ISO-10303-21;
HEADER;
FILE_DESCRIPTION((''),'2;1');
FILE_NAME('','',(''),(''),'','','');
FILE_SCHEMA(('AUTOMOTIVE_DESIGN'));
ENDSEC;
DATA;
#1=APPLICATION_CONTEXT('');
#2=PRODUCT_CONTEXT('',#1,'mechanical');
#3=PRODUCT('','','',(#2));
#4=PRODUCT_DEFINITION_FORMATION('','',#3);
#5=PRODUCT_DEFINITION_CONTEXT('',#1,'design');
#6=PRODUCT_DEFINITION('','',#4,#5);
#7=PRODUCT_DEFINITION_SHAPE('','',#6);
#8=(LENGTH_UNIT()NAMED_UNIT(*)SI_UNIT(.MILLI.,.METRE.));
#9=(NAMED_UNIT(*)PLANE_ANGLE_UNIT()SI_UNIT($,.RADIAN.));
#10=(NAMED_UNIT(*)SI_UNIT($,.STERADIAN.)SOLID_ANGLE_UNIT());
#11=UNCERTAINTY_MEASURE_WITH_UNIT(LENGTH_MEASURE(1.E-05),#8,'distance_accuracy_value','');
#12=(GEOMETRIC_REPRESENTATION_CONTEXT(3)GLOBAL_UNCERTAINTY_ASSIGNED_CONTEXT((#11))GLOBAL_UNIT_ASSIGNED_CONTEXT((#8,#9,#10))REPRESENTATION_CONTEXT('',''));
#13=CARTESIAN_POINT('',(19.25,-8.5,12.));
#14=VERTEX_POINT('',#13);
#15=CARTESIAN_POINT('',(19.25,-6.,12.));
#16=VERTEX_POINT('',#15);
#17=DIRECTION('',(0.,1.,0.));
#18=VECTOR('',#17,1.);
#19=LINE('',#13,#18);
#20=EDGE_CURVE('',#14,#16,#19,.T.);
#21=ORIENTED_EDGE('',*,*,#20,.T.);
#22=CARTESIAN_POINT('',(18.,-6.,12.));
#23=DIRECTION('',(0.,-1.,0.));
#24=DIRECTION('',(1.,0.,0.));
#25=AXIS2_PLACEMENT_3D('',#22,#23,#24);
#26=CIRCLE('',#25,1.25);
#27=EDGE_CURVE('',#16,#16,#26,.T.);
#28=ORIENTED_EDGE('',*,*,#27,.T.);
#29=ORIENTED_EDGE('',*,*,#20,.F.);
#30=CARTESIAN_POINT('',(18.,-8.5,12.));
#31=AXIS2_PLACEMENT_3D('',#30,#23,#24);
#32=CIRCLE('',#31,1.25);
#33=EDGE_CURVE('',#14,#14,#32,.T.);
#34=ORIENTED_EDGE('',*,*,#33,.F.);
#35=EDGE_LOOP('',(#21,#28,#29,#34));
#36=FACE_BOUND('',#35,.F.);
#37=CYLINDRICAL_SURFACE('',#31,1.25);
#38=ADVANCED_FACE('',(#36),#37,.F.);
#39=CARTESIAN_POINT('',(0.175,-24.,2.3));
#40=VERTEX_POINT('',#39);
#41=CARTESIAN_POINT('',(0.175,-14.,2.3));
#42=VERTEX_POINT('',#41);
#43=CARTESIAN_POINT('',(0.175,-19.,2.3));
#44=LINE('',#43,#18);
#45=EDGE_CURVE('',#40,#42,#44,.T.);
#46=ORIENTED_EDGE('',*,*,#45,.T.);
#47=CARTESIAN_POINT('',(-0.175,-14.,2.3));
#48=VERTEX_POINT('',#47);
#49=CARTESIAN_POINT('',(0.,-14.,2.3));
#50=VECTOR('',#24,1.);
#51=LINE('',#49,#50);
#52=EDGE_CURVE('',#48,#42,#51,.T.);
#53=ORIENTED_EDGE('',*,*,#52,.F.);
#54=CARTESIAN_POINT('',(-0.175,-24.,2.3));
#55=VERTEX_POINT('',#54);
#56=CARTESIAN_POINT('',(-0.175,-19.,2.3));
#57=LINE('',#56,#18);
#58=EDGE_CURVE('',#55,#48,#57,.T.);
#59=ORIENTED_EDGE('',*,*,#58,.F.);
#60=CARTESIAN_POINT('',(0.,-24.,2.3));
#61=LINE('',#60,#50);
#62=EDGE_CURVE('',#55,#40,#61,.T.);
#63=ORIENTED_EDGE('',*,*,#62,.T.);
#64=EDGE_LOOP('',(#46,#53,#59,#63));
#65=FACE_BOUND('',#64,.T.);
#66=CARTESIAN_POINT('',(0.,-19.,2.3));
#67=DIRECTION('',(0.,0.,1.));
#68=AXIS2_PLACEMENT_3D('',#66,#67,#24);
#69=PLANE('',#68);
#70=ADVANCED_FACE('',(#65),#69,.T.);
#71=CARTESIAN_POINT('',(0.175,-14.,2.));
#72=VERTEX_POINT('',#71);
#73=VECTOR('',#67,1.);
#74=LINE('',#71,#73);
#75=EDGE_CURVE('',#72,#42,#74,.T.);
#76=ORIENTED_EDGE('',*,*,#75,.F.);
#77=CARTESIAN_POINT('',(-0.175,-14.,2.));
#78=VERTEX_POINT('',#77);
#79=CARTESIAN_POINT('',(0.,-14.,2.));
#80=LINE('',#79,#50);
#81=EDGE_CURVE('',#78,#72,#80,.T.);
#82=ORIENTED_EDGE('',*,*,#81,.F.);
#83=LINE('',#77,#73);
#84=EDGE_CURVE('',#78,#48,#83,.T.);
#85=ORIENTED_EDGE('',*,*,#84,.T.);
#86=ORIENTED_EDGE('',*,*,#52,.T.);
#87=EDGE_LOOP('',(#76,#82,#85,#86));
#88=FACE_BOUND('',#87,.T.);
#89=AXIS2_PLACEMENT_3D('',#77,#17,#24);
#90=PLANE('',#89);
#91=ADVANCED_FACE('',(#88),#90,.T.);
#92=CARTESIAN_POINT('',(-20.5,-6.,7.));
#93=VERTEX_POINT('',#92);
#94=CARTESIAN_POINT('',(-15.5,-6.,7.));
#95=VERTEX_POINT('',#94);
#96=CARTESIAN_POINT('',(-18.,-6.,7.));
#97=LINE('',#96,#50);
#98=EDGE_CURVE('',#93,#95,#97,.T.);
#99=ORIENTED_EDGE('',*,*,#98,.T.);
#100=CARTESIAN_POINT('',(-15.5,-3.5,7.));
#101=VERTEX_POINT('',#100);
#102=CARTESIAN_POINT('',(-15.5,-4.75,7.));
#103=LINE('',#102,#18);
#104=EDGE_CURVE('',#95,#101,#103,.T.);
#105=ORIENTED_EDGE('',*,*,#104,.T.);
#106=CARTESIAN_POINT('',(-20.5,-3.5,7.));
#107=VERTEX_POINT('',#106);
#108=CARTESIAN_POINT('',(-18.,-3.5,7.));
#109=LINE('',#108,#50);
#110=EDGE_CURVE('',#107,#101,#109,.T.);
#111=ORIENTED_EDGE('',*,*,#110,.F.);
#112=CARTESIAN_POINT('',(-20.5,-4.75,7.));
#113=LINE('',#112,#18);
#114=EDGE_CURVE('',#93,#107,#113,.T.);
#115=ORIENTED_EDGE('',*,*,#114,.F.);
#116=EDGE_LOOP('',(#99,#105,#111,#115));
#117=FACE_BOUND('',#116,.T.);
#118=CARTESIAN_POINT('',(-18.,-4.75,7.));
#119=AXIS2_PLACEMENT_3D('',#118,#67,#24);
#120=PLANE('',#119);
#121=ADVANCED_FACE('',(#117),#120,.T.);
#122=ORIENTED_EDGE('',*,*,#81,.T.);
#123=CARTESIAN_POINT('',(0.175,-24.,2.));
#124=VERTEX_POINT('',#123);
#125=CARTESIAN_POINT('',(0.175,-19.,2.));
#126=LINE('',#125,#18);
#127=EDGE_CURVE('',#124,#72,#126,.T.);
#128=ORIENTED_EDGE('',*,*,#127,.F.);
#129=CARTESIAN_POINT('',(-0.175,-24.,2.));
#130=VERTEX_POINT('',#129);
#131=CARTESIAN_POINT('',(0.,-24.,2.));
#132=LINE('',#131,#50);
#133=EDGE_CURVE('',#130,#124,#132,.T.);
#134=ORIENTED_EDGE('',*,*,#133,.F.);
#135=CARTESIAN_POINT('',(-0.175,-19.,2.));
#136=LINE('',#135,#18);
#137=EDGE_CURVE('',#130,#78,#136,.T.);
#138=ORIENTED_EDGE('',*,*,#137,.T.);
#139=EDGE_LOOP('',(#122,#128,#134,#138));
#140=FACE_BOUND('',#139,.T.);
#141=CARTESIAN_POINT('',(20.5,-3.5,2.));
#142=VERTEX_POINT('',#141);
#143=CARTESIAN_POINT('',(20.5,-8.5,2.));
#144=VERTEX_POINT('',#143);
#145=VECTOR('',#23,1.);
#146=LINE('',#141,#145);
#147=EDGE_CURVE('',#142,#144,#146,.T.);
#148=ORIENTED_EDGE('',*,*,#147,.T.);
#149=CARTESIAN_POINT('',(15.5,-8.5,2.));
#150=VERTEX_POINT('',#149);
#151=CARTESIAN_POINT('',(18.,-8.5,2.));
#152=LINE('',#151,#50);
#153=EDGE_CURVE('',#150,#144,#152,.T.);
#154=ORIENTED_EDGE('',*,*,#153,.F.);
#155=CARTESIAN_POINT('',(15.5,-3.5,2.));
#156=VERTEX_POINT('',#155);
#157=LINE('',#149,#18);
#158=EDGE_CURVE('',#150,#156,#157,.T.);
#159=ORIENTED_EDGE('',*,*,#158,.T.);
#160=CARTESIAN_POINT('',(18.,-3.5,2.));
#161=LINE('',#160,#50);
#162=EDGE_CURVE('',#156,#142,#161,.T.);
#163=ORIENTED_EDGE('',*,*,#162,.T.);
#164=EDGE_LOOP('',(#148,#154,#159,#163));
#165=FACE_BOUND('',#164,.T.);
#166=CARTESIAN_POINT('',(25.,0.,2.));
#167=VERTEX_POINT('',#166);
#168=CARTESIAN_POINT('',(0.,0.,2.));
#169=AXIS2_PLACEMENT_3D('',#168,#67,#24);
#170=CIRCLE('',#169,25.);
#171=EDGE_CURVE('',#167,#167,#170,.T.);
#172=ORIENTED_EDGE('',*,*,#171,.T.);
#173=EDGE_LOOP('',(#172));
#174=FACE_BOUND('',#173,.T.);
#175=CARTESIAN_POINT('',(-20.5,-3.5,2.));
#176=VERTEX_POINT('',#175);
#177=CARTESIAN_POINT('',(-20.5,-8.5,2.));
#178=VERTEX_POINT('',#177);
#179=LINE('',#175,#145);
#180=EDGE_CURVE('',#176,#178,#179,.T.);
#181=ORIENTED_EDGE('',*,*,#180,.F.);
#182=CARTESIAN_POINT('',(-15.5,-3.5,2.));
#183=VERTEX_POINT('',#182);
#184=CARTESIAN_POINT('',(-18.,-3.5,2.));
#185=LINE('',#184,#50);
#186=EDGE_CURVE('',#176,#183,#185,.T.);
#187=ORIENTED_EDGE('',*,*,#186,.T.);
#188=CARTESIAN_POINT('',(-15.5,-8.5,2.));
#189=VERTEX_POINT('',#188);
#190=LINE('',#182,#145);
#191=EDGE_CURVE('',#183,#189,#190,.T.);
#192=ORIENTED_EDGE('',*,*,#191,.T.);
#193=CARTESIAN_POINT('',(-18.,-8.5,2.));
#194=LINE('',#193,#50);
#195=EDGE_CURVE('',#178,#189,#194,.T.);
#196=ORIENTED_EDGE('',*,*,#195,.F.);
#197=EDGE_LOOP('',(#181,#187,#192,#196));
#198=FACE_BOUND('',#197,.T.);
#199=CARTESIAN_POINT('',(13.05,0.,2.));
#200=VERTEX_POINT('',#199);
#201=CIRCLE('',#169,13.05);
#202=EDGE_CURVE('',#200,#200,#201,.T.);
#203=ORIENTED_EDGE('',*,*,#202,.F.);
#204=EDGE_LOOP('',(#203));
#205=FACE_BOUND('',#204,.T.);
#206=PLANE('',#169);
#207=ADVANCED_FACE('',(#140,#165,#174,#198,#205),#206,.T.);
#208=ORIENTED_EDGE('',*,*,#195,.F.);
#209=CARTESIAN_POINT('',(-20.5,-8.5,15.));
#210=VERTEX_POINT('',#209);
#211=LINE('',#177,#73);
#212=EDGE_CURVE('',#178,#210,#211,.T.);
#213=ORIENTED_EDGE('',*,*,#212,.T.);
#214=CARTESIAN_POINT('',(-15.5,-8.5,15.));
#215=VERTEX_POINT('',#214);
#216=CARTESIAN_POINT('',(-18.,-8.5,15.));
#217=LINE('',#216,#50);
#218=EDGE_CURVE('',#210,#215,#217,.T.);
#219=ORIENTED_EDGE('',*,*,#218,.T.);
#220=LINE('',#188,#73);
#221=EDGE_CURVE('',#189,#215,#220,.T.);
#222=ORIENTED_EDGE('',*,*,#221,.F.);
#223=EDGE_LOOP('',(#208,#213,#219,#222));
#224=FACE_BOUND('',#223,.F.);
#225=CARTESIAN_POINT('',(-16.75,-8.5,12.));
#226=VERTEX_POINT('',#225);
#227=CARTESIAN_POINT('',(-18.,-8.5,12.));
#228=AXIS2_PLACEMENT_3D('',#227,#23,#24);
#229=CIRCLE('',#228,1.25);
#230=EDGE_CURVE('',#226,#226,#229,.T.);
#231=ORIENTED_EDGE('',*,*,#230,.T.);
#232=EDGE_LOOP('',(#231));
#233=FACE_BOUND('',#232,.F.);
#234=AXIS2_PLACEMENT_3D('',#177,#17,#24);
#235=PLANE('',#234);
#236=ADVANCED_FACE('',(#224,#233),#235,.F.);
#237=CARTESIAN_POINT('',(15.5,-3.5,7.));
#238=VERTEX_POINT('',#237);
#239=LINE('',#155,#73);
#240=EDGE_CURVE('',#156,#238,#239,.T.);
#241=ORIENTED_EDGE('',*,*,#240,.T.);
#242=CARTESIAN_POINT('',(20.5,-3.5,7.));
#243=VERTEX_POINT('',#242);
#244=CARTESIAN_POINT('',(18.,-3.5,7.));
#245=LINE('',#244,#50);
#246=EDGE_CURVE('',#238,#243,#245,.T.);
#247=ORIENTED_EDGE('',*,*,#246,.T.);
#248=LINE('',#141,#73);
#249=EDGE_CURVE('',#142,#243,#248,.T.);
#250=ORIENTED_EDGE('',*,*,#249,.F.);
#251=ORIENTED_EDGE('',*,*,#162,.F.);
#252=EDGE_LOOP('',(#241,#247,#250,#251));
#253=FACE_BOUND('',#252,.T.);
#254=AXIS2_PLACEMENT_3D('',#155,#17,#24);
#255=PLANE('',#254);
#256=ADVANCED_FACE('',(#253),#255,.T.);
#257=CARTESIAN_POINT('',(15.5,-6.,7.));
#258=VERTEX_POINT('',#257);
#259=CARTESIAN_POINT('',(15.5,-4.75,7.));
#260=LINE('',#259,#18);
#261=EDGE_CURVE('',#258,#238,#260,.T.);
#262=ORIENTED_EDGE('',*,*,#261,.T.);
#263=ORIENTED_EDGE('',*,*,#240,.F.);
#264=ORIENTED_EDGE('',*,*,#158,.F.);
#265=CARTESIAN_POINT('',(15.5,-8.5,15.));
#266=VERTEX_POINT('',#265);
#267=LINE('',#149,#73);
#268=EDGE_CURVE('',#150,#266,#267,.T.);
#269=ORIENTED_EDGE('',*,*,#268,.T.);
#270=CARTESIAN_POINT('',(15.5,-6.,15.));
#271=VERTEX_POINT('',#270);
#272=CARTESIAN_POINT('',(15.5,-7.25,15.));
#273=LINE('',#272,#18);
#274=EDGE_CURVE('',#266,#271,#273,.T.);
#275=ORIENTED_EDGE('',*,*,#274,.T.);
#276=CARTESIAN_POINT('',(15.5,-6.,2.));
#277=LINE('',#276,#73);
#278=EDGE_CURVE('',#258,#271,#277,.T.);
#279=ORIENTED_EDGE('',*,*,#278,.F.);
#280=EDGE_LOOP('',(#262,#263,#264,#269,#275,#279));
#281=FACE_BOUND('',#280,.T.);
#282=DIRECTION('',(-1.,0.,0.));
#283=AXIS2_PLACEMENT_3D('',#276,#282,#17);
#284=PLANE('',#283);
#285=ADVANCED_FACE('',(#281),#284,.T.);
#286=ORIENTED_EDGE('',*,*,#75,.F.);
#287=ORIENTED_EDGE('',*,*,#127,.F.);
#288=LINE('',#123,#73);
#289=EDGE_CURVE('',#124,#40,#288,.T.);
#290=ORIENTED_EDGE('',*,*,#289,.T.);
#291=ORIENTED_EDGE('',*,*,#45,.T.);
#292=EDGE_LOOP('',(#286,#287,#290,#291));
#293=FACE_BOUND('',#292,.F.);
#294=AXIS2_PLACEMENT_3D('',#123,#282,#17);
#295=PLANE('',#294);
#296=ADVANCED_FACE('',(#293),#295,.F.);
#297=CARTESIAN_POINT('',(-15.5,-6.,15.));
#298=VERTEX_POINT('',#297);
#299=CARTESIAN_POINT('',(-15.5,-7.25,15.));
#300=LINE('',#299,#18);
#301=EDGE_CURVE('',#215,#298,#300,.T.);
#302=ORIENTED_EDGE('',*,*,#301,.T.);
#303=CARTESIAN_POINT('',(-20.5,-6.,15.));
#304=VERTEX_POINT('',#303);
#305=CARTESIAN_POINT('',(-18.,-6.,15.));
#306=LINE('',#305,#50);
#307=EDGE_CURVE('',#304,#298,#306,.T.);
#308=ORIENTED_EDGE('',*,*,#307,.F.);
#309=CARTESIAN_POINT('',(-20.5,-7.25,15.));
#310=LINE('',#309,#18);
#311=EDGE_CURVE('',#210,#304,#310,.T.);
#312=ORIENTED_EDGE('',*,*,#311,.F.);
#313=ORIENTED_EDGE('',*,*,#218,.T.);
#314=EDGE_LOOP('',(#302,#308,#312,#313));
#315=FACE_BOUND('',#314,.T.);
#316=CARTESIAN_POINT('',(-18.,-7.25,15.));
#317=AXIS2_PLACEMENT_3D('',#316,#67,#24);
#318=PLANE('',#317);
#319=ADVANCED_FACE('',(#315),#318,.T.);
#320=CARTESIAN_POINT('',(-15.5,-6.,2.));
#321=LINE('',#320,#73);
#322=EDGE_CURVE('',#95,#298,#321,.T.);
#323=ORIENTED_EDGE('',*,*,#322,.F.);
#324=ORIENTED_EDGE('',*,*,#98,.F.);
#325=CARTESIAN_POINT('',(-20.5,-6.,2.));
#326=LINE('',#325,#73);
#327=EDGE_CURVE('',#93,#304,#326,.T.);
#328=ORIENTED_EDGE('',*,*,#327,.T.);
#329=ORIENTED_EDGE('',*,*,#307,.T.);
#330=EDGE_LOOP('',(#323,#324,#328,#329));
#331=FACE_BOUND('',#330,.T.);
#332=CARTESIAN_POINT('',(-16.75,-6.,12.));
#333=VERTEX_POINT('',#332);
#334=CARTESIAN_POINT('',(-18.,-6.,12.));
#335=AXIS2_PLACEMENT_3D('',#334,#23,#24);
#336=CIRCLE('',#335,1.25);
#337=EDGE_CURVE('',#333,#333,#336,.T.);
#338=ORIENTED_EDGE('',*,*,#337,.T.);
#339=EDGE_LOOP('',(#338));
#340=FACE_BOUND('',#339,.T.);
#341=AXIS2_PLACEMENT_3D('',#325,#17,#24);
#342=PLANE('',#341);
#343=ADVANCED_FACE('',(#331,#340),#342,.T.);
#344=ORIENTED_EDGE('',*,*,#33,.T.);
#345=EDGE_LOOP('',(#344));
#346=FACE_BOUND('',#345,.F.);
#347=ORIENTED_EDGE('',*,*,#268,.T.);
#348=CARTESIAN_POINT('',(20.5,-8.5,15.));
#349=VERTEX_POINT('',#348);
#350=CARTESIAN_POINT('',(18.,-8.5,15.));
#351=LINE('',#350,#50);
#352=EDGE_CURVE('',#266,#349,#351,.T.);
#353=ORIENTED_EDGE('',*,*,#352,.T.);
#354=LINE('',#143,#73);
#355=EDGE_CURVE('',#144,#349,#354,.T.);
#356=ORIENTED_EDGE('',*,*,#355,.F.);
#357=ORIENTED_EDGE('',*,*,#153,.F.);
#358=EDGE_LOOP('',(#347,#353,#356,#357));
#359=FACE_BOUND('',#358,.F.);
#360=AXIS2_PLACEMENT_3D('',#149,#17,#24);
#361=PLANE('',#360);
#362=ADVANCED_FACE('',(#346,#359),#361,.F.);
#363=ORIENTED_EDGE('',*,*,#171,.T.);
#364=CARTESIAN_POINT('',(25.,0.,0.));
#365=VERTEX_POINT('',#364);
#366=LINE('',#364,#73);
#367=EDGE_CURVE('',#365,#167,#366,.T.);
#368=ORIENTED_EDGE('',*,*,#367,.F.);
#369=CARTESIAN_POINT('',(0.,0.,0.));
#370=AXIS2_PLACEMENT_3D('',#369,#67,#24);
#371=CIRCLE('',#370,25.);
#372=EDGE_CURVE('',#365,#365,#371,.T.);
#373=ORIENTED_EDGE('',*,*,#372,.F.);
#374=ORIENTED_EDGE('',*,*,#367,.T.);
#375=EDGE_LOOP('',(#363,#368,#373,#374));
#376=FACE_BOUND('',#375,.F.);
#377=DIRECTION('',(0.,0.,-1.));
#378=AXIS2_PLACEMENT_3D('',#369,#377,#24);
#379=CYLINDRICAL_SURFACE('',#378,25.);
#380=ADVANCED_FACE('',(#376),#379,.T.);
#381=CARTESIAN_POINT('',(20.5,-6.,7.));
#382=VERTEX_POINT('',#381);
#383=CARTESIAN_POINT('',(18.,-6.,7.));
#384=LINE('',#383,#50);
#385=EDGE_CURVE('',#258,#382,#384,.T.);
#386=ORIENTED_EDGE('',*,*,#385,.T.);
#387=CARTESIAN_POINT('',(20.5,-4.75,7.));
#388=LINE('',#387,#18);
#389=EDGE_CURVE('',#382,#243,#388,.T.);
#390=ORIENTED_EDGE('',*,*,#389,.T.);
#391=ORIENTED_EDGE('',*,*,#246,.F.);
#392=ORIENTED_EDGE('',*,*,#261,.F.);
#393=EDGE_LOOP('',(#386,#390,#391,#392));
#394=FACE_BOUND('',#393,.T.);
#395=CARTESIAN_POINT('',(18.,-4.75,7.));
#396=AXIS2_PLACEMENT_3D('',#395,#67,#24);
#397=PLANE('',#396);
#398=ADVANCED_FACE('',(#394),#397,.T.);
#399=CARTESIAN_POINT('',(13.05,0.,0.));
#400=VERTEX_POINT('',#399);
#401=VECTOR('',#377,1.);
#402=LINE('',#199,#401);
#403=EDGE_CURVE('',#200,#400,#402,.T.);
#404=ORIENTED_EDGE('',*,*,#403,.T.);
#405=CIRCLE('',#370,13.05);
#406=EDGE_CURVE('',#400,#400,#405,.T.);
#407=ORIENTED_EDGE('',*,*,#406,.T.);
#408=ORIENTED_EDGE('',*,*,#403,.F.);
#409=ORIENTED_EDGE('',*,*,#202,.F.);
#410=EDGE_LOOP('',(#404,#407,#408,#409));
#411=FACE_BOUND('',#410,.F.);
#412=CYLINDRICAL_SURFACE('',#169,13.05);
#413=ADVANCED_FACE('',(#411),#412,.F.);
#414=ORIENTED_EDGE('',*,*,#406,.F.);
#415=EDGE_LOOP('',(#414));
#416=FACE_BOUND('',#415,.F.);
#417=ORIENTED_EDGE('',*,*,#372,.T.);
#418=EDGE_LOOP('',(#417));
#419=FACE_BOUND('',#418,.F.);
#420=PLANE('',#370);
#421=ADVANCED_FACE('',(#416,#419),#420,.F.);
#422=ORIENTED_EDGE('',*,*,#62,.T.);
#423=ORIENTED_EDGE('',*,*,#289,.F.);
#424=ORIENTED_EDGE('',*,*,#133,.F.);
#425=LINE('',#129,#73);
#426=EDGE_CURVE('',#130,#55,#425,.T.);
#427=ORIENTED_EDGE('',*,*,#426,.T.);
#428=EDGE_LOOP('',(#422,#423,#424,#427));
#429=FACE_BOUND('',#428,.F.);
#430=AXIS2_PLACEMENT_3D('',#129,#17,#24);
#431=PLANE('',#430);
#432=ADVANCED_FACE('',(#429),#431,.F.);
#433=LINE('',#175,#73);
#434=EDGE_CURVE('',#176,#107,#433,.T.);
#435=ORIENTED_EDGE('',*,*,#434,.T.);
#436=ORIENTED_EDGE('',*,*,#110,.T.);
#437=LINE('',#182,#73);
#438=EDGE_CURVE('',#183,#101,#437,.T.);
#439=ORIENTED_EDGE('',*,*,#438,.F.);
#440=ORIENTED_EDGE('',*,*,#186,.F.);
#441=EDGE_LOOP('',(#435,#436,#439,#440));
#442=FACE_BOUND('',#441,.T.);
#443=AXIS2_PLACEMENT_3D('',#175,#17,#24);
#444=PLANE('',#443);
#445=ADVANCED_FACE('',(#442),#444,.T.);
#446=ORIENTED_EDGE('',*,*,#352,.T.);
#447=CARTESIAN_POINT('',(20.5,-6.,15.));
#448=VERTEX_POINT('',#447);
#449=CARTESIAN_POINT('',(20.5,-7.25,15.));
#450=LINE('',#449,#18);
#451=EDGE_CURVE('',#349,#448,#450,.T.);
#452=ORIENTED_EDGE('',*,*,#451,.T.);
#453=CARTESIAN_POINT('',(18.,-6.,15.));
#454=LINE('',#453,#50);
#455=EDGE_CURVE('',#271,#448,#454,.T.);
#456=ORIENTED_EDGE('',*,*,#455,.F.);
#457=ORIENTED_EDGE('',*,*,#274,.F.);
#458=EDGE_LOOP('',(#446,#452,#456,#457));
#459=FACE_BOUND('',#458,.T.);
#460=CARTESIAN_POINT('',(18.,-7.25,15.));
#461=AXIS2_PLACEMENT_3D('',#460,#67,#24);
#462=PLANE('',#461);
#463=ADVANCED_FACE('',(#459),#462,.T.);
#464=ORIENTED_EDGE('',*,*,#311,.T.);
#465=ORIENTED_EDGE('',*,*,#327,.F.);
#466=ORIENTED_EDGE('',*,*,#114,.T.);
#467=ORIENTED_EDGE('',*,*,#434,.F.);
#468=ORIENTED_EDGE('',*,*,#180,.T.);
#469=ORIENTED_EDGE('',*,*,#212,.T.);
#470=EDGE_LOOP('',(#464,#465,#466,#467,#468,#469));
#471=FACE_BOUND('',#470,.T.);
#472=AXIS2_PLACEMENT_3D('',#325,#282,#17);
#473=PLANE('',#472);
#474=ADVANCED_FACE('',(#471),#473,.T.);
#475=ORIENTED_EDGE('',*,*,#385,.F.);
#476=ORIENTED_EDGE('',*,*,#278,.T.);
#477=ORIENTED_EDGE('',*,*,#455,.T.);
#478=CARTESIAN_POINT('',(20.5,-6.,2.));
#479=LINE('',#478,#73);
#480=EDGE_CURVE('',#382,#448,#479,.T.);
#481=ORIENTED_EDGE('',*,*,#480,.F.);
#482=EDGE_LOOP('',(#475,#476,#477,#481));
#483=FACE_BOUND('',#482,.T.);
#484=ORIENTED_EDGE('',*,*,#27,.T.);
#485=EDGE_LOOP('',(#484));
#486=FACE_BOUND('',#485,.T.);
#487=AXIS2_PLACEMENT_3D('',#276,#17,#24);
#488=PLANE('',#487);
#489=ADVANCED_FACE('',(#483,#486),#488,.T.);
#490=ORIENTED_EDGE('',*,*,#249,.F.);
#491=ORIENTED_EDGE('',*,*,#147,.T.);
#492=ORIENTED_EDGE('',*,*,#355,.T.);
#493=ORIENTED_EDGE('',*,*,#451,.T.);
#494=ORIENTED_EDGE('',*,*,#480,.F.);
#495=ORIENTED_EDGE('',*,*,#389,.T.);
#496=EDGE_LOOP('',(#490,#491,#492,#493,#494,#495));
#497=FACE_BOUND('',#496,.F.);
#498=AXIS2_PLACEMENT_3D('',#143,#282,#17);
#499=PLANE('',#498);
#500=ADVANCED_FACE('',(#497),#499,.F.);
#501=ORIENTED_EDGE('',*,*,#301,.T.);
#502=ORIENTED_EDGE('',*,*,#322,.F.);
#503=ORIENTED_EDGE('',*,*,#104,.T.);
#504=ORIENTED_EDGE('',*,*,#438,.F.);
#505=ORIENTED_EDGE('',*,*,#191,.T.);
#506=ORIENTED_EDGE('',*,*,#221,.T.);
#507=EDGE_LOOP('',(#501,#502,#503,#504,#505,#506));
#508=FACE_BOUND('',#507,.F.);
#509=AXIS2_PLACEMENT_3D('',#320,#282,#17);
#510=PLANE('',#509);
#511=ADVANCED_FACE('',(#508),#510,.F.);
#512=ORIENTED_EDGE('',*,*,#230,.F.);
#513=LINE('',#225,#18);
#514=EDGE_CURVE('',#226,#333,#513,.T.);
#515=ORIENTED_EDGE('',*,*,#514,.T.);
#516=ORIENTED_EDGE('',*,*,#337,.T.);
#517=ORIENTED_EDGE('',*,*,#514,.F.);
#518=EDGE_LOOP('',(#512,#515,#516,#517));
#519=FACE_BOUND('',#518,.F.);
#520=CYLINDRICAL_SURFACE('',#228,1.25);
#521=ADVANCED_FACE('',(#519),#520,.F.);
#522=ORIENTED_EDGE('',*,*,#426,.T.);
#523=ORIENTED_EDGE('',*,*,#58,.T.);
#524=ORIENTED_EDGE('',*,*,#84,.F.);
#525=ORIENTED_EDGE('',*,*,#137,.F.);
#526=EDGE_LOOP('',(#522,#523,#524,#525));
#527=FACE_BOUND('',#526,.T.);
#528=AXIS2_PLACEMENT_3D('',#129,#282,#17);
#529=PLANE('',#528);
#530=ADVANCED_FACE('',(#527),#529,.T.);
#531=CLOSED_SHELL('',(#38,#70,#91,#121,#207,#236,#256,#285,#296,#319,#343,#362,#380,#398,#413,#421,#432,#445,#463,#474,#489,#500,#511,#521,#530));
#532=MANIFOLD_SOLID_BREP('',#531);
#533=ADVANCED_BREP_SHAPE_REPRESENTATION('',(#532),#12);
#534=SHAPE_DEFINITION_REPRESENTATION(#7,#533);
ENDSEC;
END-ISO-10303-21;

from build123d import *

# Parameters (mm, degrees)
SKETCH_R        = 25
PAD_DEPTH       = 2
SKETCH001_R     = 13.05
POCKET_DEPTH    = 5
SKETCH002_W     = 5
SKETCH002_H     = 2.5
PAD001_DEPTH    = 13
SKETCH003_R     = 1.25
POCKET001_DEPTH = 5
SKETCH004_W     = 5
SKETCH004_H     = 2.5
PAD002_DEPTH    = 5
SKETCH005_W     = 0.35
SKETCH005_H     = 10
PAD003_DEPTH    = 0.3


with BuildPart() as part:
    # Sketch → Pad (new body)
    with BuildSketch(Plane.XY):
        Circle(SKETCH_R)
    extrude(amount=PAD_DEPTH)

    # Sketch001 → Pocket (cut)
    with BuildSketch(Plane.XY.offset(2)):
        Circle(SKETCH001_R)
    extrude(amount=-POCKET_DEPTH, mode=Mode.SUBTRACT)

    # Sketch002 → Pad001 (new body)
    with BuildSketch(Plane.XY.offset(2)):
        with Locations((-18, -7.25)):
            Rectangle(SKETCH002_W, SKETCH002_H)
        with Locations((18, -7.25)):
            Rectangle(SKETCH002_W, SKETCH002_H)
    extrude(amount=PAD001_DEPTH)

    # Sketch003 → Pocket001 (cut)
    with BuildSketch(Plane.XZ.offset(8.5)):
        with Locations((-18, 12)):
            Circle(SKETCH003_R)
        with Locations((18, 12)):
            Circle(SKETCH003_R)
    extrude(amount=-POCKET001_DEPTH, mode=Mode.SUBTRACT)

    # Sketch004 → Pad002 (new body)
    with BuildSketch(Plane.XY.offset(2)):
        with Locations((-18, -4.75)):
            Rectangle(SKETCH004_W, SKETCH004_H)
        with Locations((18, -4.75)):
            Rectangle(SKETCH004_W, SKETCH004_H)
    extrude(amount=PAD002_DEPTH)

    # Sketch005 → Pad003 (new body)
    with BuildSketch(Plane.XY.offset(2)):
        with Locations((0, -19)):
            Rectangle(SKETCH005_W, SKETCH005_H)
    extrude(amount=PAD003_DEPTH)


solid = part.part
